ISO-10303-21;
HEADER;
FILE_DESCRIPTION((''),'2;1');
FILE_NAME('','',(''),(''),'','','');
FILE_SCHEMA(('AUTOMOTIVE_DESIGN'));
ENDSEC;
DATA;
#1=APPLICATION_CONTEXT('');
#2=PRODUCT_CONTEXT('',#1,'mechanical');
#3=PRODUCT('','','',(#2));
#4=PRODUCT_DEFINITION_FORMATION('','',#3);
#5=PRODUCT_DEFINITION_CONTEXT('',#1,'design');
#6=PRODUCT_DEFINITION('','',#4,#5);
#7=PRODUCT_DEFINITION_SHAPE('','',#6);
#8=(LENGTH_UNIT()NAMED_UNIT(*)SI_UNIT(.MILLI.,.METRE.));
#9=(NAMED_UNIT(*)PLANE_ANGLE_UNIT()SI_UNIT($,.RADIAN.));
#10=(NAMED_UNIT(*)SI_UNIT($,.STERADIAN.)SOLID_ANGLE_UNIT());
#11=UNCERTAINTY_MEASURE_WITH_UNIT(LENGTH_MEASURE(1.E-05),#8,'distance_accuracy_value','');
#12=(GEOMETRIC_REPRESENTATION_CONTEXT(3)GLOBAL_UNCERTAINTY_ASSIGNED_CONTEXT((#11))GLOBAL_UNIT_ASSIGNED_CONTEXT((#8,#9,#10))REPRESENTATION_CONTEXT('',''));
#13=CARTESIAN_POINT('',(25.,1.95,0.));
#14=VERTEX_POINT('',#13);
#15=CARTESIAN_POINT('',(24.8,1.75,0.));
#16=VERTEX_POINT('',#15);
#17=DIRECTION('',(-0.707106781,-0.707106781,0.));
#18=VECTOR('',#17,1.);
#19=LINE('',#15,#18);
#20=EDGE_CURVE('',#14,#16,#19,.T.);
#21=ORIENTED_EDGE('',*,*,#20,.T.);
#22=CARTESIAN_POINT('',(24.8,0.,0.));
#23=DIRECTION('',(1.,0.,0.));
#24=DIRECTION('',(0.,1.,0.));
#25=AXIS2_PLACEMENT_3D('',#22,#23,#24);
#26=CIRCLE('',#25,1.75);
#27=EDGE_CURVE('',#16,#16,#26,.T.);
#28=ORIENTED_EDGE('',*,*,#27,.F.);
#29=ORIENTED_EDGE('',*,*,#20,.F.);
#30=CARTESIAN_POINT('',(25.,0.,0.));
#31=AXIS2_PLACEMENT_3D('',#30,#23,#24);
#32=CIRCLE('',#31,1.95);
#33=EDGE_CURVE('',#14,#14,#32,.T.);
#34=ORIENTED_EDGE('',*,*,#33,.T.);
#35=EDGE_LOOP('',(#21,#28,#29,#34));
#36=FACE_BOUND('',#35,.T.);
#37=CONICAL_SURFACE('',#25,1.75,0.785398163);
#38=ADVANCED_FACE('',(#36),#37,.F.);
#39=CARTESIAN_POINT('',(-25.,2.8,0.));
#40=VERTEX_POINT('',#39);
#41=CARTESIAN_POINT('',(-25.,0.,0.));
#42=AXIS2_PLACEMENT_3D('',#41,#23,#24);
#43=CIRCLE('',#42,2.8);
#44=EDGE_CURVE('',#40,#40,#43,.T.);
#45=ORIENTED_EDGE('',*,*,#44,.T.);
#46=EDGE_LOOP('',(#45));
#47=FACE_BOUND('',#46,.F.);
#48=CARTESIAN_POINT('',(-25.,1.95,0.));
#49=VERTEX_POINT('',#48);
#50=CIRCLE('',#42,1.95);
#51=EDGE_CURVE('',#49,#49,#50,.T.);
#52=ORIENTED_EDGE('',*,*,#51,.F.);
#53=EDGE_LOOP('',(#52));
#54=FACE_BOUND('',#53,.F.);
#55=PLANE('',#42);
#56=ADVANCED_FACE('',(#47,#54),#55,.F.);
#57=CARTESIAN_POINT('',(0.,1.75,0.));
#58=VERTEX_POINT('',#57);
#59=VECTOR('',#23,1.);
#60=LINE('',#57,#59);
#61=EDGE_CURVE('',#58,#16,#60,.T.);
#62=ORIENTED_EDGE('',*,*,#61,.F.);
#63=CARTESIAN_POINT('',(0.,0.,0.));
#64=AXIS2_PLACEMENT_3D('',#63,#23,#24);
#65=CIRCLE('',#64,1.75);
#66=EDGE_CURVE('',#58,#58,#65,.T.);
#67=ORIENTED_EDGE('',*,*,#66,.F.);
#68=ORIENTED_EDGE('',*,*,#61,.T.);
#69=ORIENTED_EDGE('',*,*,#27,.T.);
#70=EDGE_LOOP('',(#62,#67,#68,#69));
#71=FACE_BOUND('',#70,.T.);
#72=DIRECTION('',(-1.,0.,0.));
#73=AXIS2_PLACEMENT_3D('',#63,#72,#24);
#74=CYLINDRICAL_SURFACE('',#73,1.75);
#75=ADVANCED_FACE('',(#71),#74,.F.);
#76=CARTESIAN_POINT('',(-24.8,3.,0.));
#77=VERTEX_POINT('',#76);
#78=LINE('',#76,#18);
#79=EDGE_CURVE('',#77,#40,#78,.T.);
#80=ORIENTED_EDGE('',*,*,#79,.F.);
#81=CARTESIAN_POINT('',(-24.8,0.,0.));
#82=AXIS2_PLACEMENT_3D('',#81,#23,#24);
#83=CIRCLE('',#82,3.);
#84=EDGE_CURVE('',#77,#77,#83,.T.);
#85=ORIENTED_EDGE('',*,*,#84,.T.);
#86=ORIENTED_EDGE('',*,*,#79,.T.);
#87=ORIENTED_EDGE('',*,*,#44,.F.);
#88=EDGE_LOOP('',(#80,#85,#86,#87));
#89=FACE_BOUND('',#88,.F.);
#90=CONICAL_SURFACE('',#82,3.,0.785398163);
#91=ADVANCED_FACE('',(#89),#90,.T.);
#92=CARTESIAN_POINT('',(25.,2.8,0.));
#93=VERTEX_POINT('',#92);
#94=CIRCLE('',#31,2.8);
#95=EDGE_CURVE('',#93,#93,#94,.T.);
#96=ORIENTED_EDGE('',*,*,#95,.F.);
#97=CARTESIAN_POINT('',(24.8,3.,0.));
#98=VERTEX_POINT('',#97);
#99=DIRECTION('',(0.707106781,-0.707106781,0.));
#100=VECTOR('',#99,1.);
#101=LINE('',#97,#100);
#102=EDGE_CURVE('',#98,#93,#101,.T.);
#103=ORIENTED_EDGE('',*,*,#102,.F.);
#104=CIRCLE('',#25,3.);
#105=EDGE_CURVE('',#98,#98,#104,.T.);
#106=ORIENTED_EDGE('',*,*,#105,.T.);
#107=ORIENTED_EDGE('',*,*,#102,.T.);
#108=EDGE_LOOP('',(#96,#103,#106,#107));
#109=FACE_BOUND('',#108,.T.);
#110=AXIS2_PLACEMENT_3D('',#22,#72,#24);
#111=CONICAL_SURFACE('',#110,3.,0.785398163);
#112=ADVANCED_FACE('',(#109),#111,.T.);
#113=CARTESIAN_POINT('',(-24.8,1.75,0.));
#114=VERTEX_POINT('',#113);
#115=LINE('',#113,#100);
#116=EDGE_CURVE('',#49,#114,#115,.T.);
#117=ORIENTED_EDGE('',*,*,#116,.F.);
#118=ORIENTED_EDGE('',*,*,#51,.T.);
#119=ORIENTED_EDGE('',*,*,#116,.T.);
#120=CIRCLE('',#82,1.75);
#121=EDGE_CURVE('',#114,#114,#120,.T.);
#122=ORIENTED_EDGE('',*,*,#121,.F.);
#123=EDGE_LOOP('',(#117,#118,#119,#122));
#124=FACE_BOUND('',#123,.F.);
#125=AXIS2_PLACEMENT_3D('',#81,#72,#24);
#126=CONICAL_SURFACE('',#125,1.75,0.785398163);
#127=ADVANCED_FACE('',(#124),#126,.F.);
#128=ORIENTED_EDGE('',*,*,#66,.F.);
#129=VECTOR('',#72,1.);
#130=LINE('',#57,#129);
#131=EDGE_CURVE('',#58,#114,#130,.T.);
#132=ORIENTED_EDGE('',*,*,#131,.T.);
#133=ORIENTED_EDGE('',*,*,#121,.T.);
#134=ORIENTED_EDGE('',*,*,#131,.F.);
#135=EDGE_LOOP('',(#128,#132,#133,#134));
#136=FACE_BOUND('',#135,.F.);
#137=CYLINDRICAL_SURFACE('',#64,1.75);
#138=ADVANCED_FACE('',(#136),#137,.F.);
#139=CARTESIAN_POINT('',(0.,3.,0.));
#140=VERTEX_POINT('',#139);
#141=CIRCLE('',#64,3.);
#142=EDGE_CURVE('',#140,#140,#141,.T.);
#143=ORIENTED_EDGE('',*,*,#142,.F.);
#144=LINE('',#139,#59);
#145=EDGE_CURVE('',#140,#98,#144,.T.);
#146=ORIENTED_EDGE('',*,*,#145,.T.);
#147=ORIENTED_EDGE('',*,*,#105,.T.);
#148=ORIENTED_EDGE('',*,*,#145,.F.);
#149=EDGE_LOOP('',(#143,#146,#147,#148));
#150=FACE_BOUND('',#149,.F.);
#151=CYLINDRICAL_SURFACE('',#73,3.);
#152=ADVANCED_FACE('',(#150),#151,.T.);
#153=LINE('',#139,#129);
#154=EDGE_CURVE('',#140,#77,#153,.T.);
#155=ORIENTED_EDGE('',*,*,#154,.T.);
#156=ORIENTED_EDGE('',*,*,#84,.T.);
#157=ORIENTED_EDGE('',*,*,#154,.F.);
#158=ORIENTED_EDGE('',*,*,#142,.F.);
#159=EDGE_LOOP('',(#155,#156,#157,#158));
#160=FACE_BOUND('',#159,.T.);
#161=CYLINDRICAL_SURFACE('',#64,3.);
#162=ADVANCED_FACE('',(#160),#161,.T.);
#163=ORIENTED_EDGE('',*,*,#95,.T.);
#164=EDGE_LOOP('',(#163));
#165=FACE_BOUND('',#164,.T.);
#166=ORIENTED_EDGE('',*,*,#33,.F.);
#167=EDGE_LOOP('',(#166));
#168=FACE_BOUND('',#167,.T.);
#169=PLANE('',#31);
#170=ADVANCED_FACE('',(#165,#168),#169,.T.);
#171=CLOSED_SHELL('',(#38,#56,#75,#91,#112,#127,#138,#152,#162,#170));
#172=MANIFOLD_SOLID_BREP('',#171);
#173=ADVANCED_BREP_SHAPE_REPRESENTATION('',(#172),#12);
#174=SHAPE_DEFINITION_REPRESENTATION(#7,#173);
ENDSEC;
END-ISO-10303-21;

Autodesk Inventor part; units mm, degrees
ref_plane "YZ Plane" through (0, 0, 0) normal (1, 0, 0) x (0, 1, 0)
ref_plane "XZ Plane" through (0, 0, 0) normal (0, 1, 0) x (-1, 0, 0)
ref_plane "XY Plane" through (0, 0, 0) normal (0, 0, 1) x (1, 0, 0)
sketch "スケッチ1" plane through (0, 0, 0) normal (1, 0, 0) x (0, 1, 0)
  circle A0 centre (0, 0) radius 3
  circle A1 centre (0, 0) radius 1.75
  dimension "d0" = 6
  dimension "d6" = 3.5
extrude "押し出し1" add sketch "スケッチ1" along normal mid plane 50
chamfer "面取り1" distance 0.2 angle 45 4 edges at (25, -3, 0) (-25, -3, 0) (25, -1.75, 0) (-25, -1.75, 0)
properties part number "KNEE_DRIVER_SHAFT"
